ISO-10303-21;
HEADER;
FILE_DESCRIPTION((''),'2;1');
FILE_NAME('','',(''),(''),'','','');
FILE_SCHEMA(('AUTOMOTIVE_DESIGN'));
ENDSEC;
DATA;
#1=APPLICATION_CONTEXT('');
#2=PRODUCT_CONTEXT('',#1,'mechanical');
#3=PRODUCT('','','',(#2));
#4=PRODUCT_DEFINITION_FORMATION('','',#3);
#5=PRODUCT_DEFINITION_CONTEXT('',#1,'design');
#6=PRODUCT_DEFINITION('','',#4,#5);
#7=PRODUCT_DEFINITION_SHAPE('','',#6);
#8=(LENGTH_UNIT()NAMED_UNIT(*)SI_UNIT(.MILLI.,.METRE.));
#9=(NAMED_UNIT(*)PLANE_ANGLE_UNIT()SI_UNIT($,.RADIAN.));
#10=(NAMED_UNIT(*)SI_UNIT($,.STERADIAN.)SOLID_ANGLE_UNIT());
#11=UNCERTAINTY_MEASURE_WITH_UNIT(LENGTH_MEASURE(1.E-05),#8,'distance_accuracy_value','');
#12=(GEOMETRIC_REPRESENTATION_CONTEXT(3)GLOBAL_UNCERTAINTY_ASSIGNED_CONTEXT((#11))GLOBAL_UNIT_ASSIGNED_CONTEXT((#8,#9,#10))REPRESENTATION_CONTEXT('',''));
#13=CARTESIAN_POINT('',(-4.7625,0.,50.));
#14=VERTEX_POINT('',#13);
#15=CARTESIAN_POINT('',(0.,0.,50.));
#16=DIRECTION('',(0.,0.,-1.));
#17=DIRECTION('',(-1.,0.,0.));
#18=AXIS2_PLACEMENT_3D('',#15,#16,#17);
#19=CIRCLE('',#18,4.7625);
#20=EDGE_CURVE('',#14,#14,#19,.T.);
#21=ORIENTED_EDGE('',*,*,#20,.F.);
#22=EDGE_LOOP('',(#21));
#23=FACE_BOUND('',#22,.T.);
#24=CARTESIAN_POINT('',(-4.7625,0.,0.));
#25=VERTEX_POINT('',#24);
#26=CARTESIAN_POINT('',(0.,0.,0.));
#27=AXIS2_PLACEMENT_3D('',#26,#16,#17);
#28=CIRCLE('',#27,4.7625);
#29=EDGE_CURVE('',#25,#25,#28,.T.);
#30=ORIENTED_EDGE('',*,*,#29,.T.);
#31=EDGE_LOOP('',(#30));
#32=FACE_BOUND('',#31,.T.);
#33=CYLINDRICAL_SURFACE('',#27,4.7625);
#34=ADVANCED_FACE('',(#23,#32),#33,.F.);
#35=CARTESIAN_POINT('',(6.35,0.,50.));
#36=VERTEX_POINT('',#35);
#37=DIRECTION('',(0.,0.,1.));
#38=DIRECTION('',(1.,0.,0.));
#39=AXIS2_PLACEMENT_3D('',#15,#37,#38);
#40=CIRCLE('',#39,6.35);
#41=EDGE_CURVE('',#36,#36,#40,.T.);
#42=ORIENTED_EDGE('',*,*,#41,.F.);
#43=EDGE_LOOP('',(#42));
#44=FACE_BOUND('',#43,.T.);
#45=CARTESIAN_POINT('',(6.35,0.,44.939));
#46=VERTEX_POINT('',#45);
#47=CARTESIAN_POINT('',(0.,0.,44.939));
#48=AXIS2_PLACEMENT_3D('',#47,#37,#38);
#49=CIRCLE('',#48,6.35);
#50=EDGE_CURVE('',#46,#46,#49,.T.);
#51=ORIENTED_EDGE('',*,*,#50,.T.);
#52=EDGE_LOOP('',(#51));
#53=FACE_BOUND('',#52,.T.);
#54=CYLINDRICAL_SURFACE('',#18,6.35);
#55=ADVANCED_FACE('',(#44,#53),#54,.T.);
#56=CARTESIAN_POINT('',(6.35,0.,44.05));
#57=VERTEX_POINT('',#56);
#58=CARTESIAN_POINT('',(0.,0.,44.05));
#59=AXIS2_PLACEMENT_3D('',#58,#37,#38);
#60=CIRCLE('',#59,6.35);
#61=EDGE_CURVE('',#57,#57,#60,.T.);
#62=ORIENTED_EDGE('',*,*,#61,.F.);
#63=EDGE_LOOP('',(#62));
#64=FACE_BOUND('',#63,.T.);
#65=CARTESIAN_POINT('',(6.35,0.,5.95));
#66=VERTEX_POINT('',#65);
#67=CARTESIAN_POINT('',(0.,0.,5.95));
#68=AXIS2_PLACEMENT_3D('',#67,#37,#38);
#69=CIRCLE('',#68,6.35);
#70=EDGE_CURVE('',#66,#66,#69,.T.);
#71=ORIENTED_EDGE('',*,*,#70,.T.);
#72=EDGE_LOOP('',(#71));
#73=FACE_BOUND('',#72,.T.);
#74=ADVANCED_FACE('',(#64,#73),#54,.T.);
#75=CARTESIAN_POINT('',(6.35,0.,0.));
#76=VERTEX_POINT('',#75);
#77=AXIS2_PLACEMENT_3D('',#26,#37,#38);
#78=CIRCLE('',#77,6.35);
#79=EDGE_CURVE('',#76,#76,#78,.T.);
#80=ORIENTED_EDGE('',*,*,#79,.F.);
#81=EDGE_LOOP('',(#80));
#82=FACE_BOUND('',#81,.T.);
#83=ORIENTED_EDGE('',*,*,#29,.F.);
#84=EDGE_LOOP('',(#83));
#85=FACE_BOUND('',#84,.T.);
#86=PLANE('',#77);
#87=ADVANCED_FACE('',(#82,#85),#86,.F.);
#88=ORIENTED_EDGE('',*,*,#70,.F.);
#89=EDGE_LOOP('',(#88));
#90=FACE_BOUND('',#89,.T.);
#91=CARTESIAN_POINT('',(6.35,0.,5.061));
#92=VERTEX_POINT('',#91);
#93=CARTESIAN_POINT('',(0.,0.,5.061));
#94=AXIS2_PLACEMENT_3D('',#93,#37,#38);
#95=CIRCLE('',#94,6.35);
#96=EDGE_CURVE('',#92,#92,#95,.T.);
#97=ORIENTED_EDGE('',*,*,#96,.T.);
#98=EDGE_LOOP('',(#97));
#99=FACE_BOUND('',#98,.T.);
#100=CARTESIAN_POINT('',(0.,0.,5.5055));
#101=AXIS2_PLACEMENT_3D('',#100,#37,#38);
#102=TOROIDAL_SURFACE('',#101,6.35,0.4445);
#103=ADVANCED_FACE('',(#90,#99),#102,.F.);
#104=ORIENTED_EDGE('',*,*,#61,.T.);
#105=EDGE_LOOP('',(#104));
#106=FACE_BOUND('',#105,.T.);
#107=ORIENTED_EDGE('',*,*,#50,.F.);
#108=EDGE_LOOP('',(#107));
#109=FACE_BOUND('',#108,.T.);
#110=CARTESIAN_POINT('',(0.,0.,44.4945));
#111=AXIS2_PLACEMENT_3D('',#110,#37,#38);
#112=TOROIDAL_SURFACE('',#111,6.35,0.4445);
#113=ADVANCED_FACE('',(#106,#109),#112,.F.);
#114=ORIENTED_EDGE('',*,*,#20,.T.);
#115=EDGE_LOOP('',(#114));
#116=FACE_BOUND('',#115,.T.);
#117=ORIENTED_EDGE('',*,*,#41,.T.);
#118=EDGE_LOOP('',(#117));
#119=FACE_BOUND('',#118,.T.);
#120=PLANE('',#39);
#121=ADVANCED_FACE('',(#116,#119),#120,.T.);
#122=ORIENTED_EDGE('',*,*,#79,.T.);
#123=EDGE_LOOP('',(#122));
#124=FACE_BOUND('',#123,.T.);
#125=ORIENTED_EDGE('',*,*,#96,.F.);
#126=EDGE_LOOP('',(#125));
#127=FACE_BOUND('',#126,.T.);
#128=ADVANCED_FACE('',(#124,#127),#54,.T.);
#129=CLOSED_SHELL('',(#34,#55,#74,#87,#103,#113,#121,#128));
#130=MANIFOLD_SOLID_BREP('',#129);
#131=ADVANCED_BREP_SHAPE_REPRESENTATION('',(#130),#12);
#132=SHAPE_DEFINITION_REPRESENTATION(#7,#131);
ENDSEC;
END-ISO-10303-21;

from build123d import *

# Parameters (mm, degrees)
BOSS_EXTRUDE1_DEPTH        = 50
F_3_8_0_3750_DOWEL_HOLE1_D = 9.525


with BuildPart() as part:
    # Sketch1 → Boss-Extrude1 (new body)
    with BuildSketch(Plane.XY):
        with BuildLine():
            Line((6.148361062, 1.5875), (3.862361062, 1.5875))
            Line((3.862361062, 1.5875), (3.862361062, -1.5875))
            Line((3.862361062, -1.5875), (6.148361062, -1.5875))
            ThreePointArc((6.148361062, -1.5875), (-6.35, 0), (6.148361062, 1.5875))
        make_face()
        with BuildLine():
            ThreePointArc((6.148361062, 1.5875), (6.35, 0), (6.148361062, -1.5875))
            Line((6.148361062, -1.5875), (3.862361062, -1.5875))
            Line((3.862361062, -1.5875), (3.862361062, 1.5875))
            Line((3.862361062, 1.5875), (6.148361062, 1.5875))
        make_face()
    extrude(amount=BOSS_EXTRUDE1_DEPTH)

    # 3/8 (0.3750) Dowel Hole1 (through all)
    with Locations(Plane(origin=(0, 0, 0), x_dir=(1, 0, 0), z_dir=(0, 0, -1))):
        with Locations((0, 0)):
            Hole(F_3_8_0_3750_DOWEL_HOLE1_D / 2)

    # Sketch5 → Cut-Revolve1 (revolve, cut)
    with BuildSketch(Plane(origin=(0, 0, 0), x_dir=(1, 0, 0), z_dir=(0, 1, 0))):
        with BuildLine():
            ThreePointArc((-6.35, -44.05), (-5.9055, -44.4945), (-6.35, -44.939))
            Line((-6.35, -44.939), (-6.35, -44.05))
        make_face()
        with BuildLine():
            Line((-6.35, -5.95), (-6.35, -5.061))
            ThreePointArc((-6.35, -5.061), (-5.9055, -5.5055), (-6.35, -5.95))
        make_face()
    revolve(axis=Axis((0, 0, 50), (0, 0, -1)), mode=Mode.SUBTRACT)


solid = part.part
